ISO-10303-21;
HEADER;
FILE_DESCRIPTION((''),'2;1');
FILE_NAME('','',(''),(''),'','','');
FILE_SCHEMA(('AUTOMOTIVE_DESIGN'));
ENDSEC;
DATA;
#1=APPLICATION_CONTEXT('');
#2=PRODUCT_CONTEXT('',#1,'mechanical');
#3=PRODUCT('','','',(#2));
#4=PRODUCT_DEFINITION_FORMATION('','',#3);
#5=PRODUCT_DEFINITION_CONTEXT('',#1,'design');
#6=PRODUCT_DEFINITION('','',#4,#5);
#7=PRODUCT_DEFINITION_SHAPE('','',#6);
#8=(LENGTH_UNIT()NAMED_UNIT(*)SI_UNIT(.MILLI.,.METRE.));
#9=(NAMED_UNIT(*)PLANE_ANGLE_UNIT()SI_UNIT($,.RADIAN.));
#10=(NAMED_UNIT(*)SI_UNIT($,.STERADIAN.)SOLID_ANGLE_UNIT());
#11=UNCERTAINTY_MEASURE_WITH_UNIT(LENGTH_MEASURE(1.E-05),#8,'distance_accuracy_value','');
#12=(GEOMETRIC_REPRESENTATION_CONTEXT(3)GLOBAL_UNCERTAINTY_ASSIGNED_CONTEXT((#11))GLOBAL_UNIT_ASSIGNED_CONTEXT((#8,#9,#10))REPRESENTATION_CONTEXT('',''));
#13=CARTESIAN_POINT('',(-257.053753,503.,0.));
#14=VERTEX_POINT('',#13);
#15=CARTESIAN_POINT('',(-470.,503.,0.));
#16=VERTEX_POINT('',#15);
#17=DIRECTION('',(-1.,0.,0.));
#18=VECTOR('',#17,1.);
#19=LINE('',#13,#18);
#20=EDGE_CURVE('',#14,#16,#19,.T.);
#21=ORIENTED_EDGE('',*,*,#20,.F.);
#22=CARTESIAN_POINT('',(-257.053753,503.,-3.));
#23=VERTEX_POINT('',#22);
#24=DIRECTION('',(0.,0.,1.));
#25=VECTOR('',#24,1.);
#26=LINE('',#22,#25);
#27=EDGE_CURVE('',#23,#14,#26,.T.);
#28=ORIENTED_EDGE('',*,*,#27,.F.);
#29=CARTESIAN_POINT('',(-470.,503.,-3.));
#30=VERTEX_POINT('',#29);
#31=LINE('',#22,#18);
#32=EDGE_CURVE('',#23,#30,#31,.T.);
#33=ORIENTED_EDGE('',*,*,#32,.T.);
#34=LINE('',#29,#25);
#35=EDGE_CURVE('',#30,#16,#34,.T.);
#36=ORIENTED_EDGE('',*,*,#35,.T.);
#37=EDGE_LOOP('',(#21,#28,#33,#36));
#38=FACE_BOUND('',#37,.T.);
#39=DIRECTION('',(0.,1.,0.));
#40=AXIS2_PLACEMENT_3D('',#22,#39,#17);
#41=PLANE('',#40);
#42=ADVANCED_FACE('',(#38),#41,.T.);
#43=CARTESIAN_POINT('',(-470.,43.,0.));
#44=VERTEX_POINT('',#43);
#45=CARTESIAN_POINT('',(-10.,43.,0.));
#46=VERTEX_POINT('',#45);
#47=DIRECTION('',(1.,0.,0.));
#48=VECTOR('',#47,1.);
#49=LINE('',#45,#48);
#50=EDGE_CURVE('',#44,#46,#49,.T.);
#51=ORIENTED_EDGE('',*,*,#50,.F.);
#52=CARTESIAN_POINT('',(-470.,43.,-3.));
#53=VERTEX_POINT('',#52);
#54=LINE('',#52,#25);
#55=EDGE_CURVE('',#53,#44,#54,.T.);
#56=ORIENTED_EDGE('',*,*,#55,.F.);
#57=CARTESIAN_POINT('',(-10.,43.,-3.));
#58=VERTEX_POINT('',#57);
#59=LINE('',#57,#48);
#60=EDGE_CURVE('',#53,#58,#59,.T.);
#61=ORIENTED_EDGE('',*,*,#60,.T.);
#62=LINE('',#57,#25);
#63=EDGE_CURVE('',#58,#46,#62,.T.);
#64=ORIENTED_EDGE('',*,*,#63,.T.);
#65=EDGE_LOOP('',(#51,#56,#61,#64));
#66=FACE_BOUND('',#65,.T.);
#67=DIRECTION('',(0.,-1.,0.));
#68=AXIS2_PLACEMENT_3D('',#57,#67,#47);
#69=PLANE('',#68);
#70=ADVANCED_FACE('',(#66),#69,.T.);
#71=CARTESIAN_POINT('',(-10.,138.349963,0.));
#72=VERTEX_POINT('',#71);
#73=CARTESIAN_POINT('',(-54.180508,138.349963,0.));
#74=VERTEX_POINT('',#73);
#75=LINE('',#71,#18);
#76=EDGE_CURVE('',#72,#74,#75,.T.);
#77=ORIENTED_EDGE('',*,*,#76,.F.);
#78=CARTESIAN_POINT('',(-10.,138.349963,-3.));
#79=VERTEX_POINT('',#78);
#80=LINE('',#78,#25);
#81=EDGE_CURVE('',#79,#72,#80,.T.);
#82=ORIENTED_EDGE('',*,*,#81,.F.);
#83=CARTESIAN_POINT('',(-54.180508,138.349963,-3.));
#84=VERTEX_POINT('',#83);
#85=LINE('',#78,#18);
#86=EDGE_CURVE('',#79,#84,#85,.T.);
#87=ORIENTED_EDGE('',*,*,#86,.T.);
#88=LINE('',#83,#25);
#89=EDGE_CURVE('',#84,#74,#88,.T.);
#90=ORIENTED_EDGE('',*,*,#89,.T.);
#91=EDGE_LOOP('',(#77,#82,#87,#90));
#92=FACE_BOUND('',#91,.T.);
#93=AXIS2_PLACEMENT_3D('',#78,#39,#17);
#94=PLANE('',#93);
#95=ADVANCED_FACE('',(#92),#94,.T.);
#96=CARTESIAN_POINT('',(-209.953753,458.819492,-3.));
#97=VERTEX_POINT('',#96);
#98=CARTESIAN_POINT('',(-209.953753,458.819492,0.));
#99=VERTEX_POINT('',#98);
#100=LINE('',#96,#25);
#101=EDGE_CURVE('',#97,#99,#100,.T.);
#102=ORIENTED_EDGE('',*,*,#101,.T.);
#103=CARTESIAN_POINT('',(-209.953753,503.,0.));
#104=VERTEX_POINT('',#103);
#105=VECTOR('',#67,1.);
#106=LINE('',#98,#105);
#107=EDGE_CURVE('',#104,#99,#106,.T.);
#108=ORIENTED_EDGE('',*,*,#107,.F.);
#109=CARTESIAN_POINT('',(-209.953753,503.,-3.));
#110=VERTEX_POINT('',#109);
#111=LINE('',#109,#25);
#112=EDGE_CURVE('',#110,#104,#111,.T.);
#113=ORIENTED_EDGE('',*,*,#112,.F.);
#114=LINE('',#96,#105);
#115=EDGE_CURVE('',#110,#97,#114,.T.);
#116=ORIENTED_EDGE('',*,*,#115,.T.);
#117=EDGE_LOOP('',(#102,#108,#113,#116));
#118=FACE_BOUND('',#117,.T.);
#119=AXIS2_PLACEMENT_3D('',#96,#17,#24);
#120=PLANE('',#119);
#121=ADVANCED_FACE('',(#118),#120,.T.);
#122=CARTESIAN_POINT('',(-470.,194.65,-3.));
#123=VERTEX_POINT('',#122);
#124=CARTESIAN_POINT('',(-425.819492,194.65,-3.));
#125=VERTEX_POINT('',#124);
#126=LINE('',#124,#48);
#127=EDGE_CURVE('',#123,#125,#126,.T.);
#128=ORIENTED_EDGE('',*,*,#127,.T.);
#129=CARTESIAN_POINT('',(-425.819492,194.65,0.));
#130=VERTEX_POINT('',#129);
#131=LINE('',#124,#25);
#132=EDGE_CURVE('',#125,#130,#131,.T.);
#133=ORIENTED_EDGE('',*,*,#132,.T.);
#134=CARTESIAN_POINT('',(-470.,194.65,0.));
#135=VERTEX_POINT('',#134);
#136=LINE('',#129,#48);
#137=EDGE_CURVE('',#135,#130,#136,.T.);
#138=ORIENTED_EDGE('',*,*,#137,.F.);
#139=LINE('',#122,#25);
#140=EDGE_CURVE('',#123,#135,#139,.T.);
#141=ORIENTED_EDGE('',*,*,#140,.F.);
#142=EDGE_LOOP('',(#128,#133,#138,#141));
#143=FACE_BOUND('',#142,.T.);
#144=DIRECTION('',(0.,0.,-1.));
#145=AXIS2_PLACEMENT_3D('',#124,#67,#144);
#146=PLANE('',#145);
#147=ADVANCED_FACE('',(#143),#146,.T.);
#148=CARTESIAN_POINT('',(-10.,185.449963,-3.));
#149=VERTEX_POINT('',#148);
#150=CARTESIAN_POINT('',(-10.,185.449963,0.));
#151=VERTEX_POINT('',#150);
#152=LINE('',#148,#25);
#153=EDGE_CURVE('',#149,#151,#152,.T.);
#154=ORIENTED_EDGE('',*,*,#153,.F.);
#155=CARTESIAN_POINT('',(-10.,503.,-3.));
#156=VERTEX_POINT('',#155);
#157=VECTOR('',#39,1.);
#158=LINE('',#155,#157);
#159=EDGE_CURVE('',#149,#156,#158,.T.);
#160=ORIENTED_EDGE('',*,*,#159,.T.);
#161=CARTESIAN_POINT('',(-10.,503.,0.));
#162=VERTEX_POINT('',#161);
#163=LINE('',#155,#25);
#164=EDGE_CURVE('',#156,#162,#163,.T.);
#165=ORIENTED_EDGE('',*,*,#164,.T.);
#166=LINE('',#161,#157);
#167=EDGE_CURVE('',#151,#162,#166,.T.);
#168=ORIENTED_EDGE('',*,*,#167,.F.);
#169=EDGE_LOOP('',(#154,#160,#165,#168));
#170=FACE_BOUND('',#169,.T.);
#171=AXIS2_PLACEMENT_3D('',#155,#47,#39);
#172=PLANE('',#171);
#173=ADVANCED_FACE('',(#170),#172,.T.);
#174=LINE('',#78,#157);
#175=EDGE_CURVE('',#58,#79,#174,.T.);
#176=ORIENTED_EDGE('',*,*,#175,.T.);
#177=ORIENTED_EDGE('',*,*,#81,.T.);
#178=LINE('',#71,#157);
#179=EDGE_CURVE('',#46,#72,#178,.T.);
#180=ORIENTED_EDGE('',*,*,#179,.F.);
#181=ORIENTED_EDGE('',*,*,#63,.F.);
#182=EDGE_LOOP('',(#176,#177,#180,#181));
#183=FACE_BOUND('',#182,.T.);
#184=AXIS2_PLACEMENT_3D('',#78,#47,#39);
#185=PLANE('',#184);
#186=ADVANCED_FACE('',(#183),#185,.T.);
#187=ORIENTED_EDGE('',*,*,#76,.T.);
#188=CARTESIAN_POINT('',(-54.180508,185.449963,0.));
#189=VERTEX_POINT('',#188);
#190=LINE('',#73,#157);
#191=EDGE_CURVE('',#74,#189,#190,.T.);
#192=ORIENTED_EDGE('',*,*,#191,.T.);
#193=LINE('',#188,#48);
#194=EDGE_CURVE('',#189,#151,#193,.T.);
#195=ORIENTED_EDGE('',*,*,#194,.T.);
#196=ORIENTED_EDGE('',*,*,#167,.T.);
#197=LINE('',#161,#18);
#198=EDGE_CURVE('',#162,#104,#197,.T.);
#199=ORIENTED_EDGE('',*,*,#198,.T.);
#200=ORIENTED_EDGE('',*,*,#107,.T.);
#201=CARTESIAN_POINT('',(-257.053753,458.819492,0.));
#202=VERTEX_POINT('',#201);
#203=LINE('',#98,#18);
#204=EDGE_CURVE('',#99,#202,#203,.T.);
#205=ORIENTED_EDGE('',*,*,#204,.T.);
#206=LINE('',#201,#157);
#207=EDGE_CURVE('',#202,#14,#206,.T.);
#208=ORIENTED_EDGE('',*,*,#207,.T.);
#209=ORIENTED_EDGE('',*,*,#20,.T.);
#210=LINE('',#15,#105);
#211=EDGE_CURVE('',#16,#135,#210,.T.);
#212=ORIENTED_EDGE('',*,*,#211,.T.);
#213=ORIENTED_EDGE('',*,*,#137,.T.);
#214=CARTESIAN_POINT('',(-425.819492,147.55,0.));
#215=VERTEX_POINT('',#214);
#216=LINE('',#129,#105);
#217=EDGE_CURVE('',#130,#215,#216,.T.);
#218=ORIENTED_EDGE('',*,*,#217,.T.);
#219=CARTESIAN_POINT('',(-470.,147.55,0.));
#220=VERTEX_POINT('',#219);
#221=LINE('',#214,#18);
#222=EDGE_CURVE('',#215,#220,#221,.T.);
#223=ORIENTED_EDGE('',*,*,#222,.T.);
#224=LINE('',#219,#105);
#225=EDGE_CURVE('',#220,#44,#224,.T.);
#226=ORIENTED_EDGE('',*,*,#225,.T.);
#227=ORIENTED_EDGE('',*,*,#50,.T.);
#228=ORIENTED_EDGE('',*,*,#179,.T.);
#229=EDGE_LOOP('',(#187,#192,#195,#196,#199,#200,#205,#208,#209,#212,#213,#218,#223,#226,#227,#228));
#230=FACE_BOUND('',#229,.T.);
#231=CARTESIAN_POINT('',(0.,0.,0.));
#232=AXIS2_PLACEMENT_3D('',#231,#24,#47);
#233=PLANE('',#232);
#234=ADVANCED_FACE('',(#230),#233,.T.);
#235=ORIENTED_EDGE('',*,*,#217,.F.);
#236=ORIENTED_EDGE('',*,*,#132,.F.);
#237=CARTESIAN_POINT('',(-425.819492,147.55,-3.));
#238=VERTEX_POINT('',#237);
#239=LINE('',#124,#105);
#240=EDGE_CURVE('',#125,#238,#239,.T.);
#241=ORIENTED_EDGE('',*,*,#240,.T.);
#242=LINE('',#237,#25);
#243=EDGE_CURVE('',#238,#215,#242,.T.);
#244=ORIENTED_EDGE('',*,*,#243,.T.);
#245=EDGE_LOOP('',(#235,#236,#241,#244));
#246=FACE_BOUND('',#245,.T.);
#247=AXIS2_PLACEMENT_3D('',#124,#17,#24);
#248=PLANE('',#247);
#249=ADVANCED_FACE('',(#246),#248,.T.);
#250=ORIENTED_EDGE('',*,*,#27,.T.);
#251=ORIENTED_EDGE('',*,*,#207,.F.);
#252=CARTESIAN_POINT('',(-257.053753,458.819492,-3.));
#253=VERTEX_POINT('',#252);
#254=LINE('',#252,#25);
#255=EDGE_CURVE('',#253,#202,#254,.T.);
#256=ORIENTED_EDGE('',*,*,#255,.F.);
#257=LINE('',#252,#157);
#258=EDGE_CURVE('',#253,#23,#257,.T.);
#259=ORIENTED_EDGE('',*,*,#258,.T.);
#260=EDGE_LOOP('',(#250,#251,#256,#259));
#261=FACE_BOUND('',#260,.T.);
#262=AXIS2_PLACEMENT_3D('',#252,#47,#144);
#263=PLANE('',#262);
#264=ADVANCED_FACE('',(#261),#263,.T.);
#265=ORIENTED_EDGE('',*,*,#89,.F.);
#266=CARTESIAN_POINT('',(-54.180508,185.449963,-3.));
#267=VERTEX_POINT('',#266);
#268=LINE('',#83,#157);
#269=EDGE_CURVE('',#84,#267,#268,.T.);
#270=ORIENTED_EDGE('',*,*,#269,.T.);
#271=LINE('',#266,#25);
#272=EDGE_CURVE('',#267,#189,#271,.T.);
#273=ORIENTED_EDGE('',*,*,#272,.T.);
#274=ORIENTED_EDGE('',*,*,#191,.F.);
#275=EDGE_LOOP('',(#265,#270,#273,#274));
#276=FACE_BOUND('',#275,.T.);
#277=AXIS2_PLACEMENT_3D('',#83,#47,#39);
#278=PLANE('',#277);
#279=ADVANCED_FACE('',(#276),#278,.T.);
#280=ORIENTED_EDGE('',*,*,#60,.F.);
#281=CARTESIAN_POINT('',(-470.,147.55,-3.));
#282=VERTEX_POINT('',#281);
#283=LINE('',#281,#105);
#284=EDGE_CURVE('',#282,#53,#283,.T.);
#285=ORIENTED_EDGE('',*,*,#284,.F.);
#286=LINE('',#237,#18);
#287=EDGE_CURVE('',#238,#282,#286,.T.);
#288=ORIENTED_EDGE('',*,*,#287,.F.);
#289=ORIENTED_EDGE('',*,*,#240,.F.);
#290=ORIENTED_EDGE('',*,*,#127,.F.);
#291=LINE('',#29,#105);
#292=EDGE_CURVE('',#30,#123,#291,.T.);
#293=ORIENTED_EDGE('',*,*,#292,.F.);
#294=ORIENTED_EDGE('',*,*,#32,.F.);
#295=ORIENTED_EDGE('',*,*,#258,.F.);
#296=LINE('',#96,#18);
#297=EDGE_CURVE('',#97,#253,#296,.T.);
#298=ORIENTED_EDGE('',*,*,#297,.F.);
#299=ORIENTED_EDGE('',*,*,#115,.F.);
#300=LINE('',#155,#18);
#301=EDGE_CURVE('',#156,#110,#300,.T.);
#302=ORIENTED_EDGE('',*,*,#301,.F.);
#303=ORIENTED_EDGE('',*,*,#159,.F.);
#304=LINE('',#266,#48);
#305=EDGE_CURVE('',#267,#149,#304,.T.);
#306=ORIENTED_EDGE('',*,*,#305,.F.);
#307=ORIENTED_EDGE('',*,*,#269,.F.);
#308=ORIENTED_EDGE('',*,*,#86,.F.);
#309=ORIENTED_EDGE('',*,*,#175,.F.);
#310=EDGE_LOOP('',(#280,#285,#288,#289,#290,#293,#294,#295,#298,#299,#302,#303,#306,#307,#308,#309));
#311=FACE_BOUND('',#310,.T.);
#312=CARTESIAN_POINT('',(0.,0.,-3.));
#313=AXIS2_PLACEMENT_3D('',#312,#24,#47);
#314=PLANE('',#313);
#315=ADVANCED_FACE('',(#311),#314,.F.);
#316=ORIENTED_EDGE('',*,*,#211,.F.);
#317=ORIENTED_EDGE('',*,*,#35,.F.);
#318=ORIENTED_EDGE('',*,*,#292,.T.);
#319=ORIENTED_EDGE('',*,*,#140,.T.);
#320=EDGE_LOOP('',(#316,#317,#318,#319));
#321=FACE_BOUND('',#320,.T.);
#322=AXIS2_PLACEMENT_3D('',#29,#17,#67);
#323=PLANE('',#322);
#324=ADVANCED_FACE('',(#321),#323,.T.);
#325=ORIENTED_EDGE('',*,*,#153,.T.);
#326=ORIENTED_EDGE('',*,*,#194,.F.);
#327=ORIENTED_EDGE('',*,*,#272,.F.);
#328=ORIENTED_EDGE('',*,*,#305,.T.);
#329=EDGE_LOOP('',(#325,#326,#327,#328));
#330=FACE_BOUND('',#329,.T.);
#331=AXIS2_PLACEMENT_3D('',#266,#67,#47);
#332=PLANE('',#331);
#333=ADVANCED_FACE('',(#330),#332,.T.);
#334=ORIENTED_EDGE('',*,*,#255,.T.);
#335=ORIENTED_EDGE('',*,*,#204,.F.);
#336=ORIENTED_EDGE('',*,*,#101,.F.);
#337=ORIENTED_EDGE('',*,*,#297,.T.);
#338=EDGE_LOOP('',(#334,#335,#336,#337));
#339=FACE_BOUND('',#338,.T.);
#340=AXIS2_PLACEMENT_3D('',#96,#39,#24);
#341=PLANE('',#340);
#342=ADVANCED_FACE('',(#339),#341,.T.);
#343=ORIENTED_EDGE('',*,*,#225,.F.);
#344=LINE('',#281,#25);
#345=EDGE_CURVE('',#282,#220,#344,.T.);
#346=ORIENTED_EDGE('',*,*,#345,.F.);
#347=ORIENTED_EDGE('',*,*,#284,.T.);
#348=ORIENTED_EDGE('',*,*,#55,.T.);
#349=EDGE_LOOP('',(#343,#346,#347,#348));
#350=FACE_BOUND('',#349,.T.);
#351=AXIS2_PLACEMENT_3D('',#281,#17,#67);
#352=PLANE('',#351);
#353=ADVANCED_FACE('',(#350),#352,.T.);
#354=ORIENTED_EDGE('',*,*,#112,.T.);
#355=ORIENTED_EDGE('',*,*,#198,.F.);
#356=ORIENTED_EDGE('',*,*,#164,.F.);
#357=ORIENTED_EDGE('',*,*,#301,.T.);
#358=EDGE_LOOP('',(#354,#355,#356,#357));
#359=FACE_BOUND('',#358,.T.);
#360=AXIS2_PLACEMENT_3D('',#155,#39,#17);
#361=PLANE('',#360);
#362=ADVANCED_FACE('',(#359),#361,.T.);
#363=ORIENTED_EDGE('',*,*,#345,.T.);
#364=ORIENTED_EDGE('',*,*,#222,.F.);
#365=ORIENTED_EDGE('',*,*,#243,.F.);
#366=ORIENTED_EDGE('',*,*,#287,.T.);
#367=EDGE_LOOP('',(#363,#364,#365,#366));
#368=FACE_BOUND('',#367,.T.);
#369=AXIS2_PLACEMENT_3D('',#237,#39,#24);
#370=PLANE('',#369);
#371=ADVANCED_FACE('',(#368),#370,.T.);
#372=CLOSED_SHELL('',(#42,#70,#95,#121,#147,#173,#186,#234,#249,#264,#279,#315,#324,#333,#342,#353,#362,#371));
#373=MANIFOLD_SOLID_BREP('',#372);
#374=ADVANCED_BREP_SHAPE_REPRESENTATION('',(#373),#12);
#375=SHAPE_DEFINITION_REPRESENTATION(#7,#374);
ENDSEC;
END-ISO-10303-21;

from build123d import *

# Parameters (mm, degrees)
BOSS_EXTRUDE1_DEPTH = 3


with BuildPart() as part:
    # Sketch1 → Boss-Extrude1 (new body)
    with BuildSketch(Plane.XY):
        Polygon((-10, 503), (-209.953752565, 503), (-209.953752565, 458.819491917), (-257.053752565, 458.819491917), (-257.053752565, 503), (-470, 503), (-470, 194.65), (-425.819491917, 194.65), (-425.819491917, 147.55), (-470, 147.55), (-470, 43), (-10, 43), (-10, 138.349963395), (-54.180508083, 138.349963395), (-54.180508083, 185.449963395), (-10, 185.449963395), align=None)
    extrude(amount=-BOSS_EXTRUDE1_DEPTH)


solid = part.part
